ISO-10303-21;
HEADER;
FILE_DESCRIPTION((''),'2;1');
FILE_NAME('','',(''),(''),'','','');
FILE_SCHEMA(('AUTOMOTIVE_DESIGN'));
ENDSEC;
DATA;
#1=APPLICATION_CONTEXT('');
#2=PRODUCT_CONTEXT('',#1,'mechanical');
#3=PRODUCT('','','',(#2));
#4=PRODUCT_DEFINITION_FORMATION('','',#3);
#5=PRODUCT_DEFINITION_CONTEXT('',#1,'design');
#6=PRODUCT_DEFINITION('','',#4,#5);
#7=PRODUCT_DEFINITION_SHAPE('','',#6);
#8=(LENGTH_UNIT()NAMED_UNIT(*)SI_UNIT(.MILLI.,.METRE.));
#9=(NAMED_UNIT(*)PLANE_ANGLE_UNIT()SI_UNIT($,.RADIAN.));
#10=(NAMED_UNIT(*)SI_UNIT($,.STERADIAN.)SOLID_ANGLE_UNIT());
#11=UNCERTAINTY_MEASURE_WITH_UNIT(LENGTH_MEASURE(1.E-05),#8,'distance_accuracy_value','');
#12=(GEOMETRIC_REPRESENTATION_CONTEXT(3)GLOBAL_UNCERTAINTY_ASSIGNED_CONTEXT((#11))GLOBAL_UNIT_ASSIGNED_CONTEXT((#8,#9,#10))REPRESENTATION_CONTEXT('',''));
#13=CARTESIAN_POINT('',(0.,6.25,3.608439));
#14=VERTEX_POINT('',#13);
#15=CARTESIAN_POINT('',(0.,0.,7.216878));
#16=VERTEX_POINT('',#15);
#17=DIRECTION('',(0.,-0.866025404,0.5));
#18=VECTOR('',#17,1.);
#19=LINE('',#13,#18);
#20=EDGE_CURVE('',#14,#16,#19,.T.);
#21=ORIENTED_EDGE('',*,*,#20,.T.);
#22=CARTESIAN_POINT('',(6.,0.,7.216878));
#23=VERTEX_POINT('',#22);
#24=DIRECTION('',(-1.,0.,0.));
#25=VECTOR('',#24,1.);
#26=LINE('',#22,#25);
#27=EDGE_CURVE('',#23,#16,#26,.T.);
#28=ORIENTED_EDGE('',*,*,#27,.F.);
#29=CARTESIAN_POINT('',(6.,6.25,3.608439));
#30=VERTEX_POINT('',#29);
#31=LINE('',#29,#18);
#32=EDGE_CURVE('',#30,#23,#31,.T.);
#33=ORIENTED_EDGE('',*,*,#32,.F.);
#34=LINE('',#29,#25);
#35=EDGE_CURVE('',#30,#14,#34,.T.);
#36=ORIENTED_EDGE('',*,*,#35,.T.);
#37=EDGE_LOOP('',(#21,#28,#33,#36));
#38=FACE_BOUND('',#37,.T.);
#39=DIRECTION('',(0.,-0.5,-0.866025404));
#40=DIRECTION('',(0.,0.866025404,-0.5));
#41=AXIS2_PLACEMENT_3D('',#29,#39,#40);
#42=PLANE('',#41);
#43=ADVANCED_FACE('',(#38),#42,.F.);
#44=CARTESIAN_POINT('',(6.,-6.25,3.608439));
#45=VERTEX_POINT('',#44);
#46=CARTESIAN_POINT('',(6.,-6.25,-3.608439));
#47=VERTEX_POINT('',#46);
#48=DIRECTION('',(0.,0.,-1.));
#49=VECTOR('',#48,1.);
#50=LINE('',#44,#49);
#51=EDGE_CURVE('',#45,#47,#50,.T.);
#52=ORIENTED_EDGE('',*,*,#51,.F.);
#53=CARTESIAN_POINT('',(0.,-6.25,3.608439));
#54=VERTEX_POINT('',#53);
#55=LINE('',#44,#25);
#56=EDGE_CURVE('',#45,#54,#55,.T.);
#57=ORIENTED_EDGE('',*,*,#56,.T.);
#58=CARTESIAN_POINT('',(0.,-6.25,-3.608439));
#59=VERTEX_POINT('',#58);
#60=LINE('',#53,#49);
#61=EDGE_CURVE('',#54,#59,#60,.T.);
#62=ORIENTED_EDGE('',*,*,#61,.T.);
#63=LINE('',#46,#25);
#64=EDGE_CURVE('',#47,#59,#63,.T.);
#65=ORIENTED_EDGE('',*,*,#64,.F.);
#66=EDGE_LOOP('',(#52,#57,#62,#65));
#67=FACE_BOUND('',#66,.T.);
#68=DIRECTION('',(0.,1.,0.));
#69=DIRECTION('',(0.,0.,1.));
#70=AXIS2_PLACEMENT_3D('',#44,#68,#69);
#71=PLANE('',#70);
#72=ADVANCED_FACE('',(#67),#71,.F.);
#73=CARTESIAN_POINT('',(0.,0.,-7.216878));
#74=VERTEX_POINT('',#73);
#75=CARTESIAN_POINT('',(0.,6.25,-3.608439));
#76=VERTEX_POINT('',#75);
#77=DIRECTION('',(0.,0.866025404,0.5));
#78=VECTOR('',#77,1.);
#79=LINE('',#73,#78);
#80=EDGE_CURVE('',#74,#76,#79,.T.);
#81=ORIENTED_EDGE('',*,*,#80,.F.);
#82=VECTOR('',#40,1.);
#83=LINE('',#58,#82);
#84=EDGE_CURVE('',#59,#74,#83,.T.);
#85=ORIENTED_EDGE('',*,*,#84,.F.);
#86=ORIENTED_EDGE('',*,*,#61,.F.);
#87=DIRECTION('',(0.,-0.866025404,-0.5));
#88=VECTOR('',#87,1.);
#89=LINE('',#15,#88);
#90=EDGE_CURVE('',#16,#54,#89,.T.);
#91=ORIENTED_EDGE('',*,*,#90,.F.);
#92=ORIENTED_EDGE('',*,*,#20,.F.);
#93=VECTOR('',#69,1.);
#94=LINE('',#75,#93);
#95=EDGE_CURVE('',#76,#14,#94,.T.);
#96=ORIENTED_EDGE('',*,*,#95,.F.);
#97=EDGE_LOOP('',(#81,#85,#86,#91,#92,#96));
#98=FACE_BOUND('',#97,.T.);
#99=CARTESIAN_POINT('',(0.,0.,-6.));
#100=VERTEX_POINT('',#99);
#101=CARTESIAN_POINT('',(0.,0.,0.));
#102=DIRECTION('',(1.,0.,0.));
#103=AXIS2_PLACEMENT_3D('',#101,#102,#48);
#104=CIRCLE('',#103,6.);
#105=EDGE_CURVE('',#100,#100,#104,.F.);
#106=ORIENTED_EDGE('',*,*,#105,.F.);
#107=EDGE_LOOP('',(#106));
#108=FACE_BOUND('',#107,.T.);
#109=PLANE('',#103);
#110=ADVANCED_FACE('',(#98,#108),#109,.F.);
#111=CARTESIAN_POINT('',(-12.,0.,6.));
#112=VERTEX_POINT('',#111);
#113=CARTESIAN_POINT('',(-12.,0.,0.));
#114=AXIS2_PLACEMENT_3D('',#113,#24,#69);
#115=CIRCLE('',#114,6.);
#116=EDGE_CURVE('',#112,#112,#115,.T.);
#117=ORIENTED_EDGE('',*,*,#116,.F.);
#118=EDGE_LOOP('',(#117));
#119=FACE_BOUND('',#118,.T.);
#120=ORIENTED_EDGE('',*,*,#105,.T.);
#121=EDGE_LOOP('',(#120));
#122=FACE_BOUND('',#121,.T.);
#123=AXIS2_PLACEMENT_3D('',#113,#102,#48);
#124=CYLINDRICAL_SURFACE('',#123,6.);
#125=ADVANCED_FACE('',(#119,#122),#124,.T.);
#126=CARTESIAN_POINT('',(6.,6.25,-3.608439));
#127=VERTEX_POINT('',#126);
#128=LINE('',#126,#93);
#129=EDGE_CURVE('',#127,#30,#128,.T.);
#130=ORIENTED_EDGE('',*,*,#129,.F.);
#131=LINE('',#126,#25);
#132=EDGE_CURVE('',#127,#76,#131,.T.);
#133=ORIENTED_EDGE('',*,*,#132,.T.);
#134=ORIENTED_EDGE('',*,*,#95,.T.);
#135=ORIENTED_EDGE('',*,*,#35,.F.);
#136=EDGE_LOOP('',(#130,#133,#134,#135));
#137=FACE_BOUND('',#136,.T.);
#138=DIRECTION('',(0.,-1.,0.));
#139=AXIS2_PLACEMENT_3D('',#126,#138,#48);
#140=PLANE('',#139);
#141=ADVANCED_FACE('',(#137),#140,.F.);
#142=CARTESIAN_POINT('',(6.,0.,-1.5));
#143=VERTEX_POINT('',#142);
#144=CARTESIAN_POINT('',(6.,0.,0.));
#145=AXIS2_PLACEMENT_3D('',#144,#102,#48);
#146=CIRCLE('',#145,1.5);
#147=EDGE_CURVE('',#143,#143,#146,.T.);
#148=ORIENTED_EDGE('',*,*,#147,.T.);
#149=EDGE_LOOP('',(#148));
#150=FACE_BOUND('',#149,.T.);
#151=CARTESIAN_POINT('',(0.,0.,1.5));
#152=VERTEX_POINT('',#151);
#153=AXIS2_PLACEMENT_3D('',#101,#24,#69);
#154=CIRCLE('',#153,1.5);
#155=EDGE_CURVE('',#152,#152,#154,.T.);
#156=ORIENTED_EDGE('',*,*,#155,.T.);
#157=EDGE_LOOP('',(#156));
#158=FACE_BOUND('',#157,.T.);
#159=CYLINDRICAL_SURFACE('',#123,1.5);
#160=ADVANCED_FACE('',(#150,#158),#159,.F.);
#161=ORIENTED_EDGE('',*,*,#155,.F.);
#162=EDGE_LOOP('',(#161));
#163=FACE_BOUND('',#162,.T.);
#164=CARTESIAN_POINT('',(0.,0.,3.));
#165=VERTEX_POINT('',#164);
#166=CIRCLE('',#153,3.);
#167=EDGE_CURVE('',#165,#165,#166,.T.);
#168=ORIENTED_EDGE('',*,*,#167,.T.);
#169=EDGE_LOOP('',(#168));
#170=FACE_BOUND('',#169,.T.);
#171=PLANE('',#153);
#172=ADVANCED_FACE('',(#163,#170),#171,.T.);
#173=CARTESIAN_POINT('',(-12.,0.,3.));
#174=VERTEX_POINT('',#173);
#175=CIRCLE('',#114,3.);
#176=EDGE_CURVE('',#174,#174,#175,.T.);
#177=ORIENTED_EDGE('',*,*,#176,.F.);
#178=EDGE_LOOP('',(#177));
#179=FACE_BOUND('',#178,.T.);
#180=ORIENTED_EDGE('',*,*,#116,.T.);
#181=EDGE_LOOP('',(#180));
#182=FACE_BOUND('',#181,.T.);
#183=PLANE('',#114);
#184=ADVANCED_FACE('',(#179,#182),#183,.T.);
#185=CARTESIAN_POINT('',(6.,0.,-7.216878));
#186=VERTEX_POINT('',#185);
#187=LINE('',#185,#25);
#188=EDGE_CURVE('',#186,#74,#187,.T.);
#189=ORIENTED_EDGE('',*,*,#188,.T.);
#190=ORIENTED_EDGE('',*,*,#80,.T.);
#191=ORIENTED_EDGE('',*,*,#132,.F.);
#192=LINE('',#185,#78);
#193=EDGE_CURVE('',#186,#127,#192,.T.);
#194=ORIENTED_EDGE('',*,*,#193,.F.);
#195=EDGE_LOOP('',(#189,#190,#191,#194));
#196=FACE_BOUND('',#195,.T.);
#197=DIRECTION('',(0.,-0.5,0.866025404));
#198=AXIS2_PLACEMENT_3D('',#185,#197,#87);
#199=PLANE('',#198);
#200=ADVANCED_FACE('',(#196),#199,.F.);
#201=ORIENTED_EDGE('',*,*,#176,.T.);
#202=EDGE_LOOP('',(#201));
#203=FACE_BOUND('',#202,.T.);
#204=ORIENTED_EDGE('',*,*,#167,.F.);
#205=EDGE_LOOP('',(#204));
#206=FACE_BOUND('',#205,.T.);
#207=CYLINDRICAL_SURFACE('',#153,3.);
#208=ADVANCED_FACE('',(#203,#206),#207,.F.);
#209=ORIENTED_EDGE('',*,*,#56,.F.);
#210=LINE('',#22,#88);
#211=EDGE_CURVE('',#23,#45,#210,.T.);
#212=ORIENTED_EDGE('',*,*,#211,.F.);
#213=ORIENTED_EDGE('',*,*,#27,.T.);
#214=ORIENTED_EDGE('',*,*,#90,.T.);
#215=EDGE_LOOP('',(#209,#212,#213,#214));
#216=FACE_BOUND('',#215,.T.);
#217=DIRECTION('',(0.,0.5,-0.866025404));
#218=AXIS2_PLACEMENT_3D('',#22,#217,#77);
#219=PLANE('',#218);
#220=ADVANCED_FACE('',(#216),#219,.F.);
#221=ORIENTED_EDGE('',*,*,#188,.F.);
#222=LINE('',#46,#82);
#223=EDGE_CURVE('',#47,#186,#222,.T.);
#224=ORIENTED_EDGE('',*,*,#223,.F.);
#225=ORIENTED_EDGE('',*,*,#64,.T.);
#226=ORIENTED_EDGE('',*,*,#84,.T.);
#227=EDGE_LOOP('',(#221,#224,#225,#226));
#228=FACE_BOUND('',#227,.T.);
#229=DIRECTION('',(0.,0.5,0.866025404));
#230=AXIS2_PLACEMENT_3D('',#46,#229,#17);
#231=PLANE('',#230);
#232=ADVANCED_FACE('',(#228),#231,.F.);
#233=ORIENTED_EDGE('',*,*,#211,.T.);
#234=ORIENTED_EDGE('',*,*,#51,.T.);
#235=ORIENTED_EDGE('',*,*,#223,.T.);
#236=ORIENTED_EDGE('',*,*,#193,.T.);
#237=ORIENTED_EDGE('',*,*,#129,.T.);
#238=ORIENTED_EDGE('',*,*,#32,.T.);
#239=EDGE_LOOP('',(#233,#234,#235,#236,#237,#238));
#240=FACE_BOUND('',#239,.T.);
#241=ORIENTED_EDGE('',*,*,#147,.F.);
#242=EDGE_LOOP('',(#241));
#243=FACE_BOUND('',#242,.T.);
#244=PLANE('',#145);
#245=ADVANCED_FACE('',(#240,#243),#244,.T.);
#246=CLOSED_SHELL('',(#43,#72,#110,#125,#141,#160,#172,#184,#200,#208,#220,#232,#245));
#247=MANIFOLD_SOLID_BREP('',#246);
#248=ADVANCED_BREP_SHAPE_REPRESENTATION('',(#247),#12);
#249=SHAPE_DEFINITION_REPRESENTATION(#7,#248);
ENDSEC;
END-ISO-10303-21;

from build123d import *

# Parameters (mm, degrees)
BOSS_EXTRUDE1_DEPTH = 6
SKETCH2_R           = 6
BOSS_EXTRUDE2_DEPTH = 12
SKETCH3_R           = 3
CUT_EXTRUDE1_DEPTH  = 12
SKETCH4_R           = 1.5
CUT_EXTRUDE2_DEPTH  = 21.375127811


with BuildPart() as part:
    # Sketch1 → Boss-Extrude1 (new body)
    with BuildSketch(Plane(origin=(0, 0, 0), x_dir=(0, 0, -1), z_dir=(1, 0, 0))):
        Polygon((7.216878365, 0), (3.608439182, 6.25), (-3.608439182, 6.25), (-7.216878365, 0), (-3.608439182, -6.25), (3.608439182, -6.25), align=None)
    extrude(amount=BOSS_EXTRUDE1_DEPTH)

    # Sketch2 → Boss-Extrude2 (add)
    with BuildSketch(Plane.ZY):
        with Locations(Location((0, 0, 0), (0, 0, 180))):
            Circle(SKETCH2_R)
    extrude(amount=BOSS_EXTRUDE2_DEPTH)

    # Sketch3 → Cut-Extrude1 (cut)
    with BuildSketch(Plane.ZY.offset(12)):
        Circle(SKETCH3_R)
    extrude(amount=-CUT_EXTRUDE1_DEPTH, mode=Mode.SUBTRACT)

    # Sketch4 → Cut-Extrude2 (cut, through all)
    with BuildSketch(Plane(origin=(6, 0, 0), x_dir=(0, 0, -1), z_dir=(1, 0, 0))):
        Circle(SKETCH4_R)
    extrude(amount=-CUT_EXTRUDE2_DEPTH, mode=Mode.SUBTRACT)


solid = part.part
